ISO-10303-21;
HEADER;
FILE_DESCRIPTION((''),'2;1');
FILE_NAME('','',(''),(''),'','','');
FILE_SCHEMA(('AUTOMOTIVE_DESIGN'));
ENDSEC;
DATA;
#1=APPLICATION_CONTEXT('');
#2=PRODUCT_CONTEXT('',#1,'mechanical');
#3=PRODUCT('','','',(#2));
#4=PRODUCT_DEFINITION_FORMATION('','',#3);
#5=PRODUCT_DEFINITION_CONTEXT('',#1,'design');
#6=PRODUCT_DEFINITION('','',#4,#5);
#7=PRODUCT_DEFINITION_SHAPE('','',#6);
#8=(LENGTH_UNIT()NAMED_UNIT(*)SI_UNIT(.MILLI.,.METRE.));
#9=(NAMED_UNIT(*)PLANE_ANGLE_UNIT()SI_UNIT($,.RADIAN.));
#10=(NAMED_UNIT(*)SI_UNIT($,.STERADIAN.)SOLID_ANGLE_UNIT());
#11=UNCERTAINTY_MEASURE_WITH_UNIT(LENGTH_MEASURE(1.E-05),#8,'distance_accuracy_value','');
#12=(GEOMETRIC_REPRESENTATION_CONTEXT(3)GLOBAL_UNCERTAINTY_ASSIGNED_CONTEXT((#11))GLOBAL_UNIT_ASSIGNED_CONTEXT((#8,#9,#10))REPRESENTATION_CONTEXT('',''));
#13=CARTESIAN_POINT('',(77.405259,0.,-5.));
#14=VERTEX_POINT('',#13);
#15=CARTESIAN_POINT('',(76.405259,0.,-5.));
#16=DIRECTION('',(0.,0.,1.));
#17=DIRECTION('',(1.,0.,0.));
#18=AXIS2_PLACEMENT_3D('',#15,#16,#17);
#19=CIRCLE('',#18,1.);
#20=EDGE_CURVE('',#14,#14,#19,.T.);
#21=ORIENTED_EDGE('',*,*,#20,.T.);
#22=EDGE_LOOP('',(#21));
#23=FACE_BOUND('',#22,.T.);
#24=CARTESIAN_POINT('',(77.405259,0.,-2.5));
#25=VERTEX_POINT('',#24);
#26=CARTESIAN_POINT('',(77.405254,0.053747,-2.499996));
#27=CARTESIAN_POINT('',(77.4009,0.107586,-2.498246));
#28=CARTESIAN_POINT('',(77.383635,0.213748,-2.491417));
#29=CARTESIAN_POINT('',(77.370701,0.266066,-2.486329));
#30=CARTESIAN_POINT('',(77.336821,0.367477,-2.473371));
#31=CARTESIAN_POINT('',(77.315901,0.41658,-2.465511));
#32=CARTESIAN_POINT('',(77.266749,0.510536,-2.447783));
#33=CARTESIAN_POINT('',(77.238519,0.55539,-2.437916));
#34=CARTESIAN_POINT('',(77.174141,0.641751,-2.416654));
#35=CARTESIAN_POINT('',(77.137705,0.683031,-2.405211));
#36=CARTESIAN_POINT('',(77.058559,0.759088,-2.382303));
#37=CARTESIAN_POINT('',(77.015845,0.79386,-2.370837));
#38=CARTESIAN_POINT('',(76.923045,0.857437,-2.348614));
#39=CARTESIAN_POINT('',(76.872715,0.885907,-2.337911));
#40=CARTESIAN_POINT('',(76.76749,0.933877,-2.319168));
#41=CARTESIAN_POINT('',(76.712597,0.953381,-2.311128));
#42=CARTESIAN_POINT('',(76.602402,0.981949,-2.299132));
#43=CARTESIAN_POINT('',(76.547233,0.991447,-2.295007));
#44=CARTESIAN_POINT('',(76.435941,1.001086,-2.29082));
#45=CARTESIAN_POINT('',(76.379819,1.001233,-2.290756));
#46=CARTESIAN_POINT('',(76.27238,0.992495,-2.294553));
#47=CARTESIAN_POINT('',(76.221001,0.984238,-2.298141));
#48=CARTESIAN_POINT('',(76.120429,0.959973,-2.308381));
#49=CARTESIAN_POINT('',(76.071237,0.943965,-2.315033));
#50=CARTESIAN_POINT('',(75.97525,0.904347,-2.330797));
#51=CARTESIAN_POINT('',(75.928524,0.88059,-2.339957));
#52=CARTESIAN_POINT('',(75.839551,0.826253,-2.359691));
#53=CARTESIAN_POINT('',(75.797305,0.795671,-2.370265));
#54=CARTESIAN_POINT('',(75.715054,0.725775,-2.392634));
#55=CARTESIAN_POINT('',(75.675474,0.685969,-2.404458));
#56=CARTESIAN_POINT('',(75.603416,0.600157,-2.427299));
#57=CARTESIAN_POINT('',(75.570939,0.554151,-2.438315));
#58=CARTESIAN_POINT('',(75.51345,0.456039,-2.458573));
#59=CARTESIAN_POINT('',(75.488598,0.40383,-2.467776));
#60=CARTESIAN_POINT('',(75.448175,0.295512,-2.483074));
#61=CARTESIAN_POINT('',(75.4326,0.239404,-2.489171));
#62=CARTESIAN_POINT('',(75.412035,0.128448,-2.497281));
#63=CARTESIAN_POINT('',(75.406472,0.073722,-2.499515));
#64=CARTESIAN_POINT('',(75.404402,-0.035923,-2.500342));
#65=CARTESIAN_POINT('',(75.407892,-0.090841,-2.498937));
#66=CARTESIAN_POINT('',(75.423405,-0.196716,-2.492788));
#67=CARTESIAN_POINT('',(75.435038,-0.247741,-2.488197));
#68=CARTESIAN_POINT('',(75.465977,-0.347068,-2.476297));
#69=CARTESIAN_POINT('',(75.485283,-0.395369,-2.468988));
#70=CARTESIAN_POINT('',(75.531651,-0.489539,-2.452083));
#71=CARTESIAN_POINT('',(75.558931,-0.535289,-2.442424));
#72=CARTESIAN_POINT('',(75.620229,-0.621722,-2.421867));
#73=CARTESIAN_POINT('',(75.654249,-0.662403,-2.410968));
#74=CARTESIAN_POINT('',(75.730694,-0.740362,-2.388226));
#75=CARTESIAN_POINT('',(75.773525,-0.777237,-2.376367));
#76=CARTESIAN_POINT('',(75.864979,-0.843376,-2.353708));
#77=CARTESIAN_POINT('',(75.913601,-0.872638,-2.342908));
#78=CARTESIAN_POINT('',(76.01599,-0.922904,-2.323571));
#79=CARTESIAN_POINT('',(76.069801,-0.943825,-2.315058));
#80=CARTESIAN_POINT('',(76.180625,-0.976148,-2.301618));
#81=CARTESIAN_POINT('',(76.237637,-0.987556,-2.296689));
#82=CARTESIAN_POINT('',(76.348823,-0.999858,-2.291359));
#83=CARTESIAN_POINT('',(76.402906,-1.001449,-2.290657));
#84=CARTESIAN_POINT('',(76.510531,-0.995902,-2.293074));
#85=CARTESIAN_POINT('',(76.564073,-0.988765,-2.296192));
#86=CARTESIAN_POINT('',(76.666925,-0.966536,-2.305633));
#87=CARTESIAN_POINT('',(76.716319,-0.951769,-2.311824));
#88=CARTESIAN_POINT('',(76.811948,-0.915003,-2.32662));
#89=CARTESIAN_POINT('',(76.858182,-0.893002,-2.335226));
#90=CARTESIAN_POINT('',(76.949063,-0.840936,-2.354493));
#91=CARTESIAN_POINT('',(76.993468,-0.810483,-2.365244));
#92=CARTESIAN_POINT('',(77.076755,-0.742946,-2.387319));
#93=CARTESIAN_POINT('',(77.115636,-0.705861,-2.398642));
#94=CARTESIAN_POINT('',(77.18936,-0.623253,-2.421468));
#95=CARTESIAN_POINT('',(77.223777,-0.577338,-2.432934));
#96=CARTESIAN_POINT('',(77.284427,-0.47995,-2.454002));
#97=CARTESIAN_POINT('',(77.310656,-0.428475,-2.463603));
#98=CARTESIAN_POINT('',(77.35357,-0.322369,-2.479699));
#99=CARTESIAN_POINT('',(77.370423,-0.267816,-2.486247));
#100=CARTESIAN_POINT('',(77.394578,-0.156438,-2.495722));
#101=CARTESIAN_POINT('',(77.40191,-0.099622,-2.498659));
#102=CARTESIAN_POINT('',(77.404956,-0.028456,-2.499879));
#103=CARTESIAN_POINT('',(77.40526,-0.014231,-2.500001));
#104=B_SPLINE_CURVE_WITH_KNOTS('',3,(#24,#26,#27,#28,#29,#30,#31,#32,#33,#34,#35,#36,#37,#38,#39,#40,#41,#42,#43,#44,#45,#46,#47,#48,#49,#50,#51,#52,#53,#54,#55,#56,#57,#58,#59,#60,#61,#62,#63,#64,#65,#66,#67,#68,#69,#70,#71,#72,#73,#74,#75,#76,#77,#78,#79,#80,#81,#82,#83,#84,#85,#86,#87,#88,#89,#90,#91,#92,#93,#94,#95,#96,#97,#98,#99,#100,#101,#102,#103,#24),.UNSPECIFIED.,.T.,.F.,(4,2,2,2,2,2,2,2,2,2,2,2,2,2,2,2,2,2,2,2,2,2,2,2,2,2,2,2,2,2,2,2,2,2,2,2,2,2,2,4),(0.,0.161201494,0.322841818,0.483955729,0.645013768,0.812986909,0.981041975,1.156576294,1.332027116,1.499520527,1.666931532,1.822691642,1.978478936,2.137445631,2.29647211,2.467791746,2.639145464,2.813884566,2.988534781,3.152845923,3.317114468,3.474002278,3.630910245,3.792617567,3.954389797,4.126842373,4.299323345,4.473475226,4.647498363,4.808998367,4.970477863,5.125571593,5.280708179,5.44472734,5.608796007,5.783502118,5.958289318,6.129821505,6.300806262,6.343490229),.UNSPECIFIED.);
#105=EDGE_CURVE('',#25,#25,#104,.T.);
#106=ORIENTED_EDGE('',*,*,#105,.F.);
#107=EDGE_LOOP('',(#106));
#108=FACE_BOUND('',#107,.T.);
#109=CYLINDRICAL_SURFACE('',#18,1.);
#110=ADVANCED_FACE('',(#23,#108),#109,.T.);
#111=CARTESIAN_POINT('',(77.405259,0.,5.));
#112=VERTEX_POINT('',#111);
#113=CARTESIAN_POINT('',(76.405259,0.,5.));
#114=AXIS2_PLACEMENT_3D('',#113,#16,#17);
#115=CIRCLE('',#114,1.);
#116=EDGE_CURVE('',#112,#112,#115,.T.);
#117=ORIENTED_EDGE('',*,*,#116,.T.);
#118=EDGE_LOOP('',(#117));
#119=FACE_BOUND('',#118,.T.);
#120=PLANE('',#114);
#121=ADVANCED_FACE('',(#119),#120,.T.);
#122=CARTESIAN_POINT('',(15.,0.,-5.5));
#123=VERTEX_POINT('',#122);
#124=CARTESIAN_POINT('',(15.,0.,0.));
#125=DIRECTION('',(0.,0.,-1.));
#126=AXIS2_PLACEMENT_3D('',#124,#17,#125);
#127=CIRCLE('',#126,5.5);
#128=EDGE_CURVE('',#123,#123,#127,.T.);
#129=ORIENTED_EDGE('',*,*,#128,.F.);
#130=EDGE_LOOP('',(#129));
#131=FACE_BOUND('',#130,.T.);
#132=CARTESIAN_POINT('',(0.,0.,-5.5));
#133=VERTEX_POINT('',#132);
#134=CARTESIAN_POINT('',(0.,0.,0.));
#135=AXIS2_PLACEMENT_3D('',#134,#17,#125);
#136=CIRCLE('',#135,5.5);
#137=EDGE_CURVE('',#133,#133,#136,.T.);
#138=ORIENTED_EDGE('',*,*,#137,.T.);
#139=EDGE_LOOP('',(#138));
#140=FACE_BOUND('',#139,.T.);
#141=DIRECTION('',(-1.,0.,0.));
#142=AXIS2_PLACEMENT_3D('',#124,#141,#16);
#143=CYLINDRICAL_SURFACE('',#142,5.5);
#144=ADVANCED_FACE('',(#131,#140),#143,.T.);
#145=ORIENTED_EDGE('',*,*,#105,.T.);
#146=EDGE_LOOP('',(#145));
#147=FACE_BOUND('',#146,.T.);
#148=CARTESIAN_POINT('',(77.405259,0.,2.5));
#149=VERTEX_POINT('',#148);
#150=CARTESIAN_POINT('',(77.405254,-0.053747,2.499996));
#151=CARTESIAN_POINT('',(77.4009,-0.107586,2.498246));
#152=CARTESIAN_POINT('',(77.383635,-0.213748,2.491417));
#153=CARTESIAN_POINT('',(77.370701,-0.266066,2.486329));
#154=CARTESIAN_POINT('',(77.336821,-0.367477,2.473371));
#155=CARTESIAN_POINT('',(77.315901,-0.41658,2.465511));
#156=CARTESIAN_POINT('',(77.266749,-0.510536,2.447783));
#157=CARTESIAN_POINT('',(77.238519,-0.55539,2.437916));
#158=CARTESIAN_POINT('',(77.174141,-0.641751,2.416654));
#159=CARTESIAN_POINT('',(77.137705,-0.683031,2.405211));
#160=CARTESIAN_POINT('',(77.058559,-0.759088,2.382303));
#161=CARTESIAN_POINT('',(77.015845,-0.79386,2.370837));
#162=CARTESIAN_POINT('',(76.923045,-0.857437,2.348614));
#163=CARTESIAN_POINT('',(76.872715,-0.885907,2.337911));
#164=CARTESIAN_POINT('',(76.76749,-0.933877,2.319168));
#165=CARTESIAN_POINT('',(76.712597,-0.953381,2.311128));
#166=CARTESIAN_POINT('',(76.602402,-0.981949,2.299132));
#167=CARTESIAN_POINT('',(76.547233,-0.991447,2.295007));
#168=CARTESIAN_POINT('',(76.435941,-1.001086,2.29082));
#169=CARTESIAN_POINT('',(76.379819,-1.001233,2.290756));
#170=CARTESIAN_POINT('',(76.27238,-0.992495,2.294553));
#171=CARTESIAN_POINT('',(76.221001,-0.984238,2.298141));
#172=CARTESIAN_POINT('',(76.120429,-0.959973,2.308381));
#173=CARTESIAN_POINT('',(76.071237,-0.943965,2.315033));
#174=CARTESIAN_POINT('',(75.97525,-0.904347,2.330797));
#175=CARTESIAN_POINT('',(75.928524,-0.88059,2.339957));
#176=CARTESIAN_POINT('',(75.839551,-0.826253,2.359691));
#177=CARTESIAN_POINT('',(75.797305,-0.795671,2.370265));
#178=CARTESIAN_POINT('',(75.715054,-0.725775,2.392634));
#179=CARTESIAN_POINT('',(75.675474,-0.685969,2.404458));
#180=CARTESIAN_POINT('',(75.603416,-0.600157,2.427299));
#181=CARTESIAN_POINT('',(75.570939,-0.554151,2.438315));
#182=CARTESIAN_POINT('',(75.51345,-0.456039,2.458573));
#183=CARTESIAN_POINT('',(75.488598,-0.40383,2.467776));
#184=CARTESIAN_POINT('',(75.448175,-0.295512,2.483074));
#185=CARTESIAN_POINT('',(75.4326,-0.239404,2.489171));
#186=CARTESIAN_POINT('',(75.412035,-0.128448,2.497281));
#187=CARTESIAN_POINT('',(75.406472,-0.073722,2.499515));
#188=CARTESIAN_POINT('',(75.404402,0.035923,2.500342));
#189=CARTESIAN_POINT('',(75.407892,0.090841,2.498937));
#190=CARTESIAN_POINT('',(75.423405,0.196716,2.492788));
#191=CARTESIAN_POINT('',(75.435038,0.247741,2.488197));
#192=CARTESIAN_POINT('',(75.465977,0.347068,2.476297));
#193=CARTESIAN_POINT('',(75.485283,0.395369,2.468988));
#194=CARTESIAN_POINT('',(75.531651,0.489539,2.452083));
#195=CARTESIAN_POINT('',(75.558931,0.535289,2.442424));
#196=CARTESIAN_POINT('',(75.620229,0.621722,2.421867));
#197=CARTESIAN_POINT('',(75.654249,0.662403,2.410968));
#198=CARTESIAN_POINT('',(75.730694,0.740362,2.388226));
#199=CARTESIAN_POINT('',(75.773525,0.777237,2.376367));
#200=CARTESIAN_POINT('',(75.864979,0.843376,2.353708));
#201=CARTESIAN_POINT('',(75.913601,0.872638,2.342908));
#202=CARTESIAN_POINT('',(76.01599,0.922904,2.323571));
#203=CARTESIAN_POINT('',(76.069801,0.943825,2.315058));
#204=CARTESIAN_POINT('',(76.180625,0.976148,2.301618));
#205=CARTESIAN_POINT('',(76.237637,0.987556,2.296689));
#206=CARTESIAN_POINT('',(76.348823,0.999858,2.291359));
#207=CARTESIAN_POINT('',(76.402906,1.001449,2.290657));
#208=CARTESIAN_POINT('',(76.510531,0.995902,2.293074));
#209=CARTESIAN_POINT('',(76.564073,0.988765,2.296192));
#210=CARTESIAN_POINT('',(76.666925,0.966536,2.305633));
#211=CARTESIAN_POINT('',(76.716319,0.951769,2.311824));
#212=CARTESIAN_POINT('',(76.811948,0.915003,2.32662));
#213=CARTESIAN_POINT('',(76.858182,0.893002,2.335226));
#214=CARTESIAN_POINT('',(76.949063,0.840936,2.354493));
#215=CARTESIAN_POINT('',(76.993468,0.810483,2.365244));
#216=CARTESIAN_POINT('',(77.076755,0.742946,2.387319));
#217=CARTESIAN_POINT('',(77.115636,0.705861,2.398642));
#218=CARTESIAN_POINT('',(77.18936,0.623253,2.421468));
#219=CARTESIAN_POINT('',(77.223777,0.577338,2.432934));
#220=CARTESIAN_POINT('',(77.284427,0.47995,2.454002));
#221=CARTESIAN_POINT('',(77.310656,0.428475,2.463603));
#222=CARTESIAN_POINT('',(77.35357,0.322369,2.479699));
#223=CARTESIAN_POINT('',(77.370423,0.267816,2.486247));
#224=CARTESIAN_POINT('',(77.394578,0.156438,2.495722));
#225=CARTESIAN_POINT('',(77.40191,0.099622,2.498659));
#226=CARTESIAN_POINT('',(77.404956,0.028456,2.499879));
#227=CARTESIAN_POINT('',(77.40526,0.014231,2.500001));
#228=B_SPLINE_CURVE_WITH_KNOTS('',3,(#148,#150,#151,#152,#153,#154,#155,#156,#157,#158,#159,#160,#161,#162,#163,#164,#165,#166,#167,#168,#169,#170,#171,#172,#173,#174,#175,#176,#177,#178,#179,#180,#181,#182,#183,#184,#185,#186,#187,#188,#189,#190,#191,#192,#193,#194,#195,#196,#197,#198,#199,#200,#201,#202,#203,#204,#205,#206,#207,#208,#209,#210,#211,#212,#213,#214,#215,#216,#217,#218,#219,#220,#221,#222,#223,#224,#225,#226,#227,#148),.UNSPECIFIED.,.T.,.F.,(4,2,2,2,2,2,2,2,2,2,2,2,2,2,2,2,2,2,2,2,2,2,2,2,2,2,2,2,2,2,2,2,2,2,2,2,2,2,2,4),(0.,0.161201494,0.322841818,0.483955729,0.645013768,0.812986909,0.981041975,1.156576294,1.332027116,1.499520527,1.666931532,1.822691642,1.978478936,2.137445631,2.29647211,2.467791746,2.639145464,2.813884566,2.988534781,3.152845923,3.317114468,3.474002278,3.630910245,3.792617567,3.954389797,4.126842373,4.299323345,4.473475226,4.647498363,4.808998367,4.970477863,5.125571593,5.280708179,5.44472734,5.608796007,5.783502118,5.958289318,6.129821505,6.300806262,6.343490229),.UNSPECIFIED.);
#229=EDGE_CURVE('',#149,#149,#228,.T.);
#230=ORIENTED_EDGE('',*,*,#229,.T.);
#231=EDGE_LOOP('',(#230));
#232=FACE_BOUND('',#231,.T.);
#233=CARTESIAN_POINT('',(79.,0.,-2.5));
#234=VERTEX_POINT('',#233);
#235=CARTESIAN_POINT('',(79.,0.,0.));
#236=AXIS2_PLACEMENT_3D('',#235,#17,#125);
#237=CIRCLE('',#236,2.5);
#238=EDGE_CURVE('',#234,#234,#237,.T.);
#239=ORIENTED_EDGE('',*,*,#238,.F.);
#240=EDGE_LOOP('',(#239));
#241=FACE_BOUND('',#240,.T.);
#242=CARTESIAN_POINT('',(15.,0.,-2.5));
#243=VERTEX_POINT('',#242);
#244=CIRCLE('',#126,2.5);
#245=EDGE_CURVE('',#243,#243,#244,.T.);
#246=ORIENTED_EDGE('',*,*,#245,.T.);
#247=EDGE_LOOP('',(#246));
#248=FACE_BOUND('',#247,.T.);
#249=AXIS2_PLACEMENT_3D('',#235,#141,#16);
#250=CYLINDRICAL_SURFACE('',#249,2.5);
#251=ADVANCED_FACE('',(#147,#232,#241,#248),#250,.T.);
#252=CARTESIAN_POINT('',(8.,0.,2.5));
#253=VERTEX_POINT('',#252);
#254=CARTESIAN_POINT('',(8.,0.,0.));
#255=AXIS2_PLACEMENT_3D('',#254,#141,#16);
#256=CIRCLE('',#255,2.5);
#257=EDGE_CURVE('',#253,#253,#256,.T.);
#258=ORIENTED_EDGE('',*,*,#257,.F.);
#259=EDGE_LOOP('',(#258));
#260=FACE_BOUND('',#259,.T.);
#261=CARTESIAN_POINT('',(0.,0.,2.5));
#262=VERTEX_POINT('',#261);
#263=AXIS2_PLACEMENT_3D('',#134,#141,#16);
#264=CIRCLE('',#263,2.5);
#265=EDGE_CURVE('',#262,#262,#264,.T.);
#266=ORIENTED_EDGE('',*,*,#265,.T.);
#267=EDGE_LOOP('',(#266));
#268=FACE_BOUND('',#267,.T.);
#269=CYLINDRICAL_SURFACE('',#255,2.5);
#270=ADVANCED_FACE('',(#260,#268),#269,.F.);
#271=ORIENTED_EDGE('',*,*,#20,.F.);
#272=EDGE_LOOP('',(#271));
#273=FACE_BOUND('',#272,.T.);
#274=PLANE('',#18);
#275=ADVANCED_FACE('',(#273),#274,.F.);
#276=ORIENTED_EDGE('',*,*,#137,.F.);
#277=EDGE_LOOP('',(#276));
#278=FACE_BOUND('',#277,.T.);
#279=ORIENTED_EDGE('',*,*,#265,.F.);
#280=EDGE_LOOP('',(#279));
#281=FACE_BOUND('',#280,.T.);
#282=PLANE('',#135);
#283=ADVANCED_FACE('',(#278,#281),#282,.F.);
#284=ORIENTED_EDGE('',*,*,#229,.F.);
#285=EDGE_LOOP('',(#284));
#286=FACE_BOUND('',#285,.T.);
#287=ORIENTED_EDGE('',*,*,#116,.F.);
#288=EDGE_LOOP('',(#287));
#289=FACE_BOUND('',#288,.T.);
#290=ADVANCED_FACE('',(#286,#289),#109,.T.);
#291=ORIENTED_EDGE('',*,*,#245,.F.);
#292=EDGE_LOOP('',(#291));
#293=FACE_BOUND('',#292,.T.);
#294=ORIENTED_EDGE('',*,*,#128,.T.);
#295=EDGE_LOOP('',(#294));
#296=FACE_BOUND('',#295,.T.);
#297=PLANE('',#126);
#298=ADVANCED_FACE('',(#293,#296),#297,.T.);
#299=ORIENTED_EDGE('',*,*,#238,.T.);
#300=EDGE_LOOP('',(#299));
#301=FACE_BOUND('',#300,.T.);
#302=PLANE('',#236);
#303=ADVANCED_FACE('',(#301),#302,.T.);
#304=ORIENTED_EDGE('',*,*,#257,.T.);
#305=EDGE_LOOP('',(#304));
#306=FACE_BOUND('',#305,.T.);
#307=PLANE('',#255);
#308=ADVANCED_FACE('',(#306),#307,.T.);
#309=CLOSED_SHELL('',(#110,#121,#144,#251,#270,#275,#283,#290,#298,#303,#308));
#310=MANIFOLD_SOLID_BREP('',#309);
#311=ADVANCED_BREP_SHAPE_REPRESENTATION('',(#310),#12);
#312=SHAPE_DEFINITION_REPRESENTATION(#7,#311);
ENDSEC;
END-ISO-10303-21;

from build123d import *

# Parameters (mm, degrees)
SKETCH1_R                = 5.5
BOSS_EXTRUDE1_DEPTH      = 15
SKETCH2_R                = 2.5
BOSS_EXTRUDE2_DEPTH      = 64
SKETCH3_R                = 2.5
CUT_EXTRUDE1_DEPTH       = 8
BOSS_EXTRUDE3_DEPTH      = 2.5
BOSS_EXTRUDE3_DEPTH_BACK = 7.5
SKETCH4_R                = 1


with BuildPart() as part:
    # Sketch1 → Boss-Extrude1 (new body)
    with BuildSketch(Plane(origin=(0, 0, 0), x_dir=(0, 0, -1), z_dir=(1, 0, 0))):
        Circle(SKETCH1_R)
    extrude(amount=BOSS_EXTRUDE1_DEPTH)

    # Sketch2 → Boss-Extrude2 (add)
    with BuildSketch(Plane(origin=(15, 0, 0), x_dir=(0, 0, -1), z_dir=(1, 0, 0))):
        Circle(SKETCH2_R)
    extrude(amount=BOSS_EXTRUDE2_DEPTH)

    # Sketch3 → Cut-Extrude1 (cut)
    with BuildSketch(Plane.ZY):
        with Locations(Location((0, 0, 0), (0, 0, 180))):
            Circle(SKETCH3_R)
    extrude(amount=-CUT_EXTRUDE1_DEPTH, mode=Mode.SUBTRACT)

    # Sketch4 → Boss-Extrude3 (add, two sides: drawn at the far end of the back side and taken through both)
    with BuildSketch(Plane.XY.offset(2.5).offset(-BOSS_EXTRUDE3_DEPTH_BACK)):
        with Locations((76.405258654, 0)):
            Circle(SKETCH4_R)
    extrude(amount=BOSS_EXTRUDE3_DEPTH + BOSS_EXTRUDE3_DEPTH_BACK)


solid = part.part
